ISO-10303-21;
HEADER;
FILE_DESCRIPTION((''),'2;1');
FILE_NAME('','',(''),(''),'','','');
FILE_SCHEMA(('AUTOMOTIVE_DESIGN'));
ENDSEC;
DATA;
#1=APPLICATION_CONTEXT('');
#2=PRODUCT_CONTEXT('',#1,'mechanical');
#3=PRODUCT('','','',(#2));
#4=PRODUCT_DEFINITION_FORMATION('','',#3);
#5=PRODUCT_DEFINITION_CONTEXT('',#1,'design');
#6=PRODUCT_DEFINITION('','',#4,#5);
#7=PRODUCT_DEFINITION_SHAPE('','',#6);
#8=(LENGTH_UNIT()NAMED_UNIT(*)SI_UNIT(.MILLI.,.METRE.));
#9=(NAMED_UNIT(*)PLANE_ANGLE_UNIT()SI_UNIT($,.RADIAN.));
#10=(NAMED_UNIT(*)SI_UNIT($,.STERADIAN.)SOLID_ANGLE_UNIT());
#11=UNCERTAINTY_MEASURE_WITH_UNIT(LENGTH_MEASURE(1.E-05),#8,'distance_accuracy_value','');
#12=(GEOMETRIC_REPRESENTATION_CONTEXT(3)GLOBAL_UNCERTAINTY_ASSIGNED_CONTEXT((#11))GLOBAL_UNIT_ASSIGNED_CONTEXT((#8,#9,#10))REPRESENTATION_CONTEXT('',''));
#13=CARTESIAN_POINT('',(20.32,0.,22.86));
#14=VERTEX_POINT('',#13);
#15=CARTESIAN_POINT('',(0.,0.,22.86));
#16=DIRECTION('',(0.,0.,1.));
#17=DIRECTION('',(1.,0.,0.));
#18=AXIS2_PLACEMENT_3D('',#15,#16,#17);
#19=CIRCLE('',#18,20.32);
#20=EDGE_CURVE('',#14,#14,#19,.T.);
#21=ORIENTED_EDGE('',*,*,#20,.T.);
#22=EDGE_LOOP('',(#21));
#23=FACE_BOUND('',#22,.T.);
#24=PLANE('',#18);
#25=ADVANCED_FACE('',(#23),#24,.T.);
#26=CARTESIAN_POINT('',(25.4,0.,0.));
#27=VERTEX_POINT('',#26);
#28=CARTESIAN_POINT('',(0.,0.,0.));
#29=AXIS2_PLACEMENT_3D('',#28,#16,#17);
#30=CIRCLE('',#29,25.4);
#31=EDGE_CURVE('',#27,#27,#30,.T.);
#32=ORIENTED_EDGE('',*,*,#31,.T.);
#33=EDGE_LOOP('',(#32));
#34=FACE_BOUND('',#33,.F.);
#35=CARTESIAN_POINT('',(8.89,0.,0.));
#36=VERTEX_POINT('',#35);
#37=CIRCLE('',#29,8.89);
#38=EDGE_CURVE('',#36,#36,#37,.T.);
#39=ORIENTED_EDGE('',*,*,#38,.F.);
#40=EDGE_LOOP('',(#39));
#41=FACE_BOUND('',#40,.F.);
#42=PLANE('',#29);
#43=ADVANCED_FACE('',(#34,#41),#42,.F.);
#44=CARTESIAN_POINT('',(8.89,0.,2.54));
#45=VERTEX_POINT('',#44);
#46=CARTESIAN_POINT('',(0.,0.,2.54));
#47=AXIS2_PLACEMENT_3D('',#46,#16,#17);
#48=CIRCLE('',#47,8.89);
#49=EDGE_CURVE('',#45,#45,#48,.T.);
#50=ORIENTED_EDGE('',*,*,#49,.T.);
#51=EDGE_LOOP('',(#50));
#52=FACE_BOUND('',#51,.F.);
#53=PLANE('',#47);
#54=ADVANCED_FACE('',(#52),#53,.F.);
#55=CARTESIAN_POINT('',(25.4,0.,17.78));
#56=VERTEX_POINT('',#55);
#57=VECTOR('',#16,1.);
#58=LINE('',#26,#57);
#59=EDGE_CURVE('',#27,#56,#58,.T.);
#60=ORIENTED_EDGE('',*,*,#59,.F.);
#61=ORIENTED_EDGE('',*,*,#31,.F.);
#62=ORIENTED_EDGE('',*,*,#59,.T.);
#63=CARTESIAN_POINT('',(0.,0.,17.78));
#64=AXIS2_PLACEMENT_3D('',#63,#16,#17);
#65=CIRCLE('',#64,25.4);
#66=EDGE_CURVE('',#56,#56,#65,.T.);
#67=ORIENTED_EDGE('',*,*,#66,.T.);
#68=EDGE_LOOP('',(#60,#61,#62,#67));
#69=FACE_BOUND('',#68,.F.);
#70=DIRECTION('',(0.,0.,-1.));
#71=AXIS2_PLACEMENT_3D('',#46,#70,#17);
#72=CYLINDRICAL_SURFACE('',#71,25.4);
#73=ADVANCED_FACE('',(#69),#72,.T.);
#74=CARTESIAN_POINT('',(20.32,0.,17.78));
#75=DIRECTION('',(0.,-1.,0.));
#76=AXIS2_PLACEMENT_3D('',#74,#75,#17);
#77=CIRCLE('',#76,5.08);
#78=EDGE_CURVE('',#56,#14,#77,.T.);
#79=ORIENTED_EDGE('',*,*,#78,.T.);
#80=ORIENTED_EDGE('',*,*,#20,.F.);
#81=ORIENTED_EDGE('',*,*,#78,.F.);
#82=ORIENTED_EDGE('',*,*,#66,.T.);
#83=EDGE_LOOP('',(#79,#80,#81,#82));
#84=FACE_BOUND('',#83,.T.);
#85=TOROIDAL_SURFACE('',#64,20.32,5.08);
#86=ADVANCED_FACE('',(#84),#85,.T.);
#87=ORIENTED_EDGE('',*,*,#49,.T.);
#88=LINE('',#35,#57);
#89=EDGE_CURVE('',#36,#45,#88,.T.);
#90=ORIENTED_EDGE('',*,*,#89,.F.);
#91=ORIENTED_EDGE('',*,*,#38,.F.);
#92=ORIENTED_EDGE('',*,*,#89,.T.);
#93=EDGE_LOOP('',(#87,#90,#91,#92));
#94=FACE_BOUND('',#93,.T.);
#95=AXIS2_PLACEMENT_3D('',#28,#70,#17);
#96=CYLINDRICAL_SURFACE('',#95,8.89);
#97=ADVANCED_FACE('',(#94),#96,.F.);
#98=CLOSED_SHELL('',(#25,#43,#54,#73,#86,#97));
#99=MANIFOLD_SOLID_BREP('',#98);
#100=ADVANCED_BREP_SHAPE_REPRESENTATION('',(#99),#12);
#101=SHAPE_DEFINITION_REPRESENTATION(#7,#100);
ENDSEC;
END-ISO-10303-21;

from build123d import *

# Parameters (mm, degrees)
F0_R     = 25.4
F0_R_2   = 8.89
F1_DEPTH = 2.54
F2_R     = 25.4
F2_R_2   = 8.89
F3_DEPTH = 20.32
F4_R     = 5.08


with BuildPart() as f1:
    # F0 (on Top) → F1 (new body)
    with BuildSketch(Plane.XY):
        Circle(F0_R)
        Circle(F0_R_2, mode=Mode.SUBTRACT)
    extrude(amount=F1_DEPTH)

    # F2 (on face) → F3 (join)
    with BuildSketch(Plane.XY.offset(2.54)):
        Circle(F2_R)
        Circle(F2_R_2, mode=Mode.SUBTRACT)
        Circle(F2_R_2)
    extrude(amount=F3_DEPTH)

    # F4
    f4_edges = [f1.edges().sort_by_distance(p)[0] for p in [
        (-25.4, 0, 22.86),
    ]]
    fillet(f4_edges, radius=F4_R)


solid = f1.part
